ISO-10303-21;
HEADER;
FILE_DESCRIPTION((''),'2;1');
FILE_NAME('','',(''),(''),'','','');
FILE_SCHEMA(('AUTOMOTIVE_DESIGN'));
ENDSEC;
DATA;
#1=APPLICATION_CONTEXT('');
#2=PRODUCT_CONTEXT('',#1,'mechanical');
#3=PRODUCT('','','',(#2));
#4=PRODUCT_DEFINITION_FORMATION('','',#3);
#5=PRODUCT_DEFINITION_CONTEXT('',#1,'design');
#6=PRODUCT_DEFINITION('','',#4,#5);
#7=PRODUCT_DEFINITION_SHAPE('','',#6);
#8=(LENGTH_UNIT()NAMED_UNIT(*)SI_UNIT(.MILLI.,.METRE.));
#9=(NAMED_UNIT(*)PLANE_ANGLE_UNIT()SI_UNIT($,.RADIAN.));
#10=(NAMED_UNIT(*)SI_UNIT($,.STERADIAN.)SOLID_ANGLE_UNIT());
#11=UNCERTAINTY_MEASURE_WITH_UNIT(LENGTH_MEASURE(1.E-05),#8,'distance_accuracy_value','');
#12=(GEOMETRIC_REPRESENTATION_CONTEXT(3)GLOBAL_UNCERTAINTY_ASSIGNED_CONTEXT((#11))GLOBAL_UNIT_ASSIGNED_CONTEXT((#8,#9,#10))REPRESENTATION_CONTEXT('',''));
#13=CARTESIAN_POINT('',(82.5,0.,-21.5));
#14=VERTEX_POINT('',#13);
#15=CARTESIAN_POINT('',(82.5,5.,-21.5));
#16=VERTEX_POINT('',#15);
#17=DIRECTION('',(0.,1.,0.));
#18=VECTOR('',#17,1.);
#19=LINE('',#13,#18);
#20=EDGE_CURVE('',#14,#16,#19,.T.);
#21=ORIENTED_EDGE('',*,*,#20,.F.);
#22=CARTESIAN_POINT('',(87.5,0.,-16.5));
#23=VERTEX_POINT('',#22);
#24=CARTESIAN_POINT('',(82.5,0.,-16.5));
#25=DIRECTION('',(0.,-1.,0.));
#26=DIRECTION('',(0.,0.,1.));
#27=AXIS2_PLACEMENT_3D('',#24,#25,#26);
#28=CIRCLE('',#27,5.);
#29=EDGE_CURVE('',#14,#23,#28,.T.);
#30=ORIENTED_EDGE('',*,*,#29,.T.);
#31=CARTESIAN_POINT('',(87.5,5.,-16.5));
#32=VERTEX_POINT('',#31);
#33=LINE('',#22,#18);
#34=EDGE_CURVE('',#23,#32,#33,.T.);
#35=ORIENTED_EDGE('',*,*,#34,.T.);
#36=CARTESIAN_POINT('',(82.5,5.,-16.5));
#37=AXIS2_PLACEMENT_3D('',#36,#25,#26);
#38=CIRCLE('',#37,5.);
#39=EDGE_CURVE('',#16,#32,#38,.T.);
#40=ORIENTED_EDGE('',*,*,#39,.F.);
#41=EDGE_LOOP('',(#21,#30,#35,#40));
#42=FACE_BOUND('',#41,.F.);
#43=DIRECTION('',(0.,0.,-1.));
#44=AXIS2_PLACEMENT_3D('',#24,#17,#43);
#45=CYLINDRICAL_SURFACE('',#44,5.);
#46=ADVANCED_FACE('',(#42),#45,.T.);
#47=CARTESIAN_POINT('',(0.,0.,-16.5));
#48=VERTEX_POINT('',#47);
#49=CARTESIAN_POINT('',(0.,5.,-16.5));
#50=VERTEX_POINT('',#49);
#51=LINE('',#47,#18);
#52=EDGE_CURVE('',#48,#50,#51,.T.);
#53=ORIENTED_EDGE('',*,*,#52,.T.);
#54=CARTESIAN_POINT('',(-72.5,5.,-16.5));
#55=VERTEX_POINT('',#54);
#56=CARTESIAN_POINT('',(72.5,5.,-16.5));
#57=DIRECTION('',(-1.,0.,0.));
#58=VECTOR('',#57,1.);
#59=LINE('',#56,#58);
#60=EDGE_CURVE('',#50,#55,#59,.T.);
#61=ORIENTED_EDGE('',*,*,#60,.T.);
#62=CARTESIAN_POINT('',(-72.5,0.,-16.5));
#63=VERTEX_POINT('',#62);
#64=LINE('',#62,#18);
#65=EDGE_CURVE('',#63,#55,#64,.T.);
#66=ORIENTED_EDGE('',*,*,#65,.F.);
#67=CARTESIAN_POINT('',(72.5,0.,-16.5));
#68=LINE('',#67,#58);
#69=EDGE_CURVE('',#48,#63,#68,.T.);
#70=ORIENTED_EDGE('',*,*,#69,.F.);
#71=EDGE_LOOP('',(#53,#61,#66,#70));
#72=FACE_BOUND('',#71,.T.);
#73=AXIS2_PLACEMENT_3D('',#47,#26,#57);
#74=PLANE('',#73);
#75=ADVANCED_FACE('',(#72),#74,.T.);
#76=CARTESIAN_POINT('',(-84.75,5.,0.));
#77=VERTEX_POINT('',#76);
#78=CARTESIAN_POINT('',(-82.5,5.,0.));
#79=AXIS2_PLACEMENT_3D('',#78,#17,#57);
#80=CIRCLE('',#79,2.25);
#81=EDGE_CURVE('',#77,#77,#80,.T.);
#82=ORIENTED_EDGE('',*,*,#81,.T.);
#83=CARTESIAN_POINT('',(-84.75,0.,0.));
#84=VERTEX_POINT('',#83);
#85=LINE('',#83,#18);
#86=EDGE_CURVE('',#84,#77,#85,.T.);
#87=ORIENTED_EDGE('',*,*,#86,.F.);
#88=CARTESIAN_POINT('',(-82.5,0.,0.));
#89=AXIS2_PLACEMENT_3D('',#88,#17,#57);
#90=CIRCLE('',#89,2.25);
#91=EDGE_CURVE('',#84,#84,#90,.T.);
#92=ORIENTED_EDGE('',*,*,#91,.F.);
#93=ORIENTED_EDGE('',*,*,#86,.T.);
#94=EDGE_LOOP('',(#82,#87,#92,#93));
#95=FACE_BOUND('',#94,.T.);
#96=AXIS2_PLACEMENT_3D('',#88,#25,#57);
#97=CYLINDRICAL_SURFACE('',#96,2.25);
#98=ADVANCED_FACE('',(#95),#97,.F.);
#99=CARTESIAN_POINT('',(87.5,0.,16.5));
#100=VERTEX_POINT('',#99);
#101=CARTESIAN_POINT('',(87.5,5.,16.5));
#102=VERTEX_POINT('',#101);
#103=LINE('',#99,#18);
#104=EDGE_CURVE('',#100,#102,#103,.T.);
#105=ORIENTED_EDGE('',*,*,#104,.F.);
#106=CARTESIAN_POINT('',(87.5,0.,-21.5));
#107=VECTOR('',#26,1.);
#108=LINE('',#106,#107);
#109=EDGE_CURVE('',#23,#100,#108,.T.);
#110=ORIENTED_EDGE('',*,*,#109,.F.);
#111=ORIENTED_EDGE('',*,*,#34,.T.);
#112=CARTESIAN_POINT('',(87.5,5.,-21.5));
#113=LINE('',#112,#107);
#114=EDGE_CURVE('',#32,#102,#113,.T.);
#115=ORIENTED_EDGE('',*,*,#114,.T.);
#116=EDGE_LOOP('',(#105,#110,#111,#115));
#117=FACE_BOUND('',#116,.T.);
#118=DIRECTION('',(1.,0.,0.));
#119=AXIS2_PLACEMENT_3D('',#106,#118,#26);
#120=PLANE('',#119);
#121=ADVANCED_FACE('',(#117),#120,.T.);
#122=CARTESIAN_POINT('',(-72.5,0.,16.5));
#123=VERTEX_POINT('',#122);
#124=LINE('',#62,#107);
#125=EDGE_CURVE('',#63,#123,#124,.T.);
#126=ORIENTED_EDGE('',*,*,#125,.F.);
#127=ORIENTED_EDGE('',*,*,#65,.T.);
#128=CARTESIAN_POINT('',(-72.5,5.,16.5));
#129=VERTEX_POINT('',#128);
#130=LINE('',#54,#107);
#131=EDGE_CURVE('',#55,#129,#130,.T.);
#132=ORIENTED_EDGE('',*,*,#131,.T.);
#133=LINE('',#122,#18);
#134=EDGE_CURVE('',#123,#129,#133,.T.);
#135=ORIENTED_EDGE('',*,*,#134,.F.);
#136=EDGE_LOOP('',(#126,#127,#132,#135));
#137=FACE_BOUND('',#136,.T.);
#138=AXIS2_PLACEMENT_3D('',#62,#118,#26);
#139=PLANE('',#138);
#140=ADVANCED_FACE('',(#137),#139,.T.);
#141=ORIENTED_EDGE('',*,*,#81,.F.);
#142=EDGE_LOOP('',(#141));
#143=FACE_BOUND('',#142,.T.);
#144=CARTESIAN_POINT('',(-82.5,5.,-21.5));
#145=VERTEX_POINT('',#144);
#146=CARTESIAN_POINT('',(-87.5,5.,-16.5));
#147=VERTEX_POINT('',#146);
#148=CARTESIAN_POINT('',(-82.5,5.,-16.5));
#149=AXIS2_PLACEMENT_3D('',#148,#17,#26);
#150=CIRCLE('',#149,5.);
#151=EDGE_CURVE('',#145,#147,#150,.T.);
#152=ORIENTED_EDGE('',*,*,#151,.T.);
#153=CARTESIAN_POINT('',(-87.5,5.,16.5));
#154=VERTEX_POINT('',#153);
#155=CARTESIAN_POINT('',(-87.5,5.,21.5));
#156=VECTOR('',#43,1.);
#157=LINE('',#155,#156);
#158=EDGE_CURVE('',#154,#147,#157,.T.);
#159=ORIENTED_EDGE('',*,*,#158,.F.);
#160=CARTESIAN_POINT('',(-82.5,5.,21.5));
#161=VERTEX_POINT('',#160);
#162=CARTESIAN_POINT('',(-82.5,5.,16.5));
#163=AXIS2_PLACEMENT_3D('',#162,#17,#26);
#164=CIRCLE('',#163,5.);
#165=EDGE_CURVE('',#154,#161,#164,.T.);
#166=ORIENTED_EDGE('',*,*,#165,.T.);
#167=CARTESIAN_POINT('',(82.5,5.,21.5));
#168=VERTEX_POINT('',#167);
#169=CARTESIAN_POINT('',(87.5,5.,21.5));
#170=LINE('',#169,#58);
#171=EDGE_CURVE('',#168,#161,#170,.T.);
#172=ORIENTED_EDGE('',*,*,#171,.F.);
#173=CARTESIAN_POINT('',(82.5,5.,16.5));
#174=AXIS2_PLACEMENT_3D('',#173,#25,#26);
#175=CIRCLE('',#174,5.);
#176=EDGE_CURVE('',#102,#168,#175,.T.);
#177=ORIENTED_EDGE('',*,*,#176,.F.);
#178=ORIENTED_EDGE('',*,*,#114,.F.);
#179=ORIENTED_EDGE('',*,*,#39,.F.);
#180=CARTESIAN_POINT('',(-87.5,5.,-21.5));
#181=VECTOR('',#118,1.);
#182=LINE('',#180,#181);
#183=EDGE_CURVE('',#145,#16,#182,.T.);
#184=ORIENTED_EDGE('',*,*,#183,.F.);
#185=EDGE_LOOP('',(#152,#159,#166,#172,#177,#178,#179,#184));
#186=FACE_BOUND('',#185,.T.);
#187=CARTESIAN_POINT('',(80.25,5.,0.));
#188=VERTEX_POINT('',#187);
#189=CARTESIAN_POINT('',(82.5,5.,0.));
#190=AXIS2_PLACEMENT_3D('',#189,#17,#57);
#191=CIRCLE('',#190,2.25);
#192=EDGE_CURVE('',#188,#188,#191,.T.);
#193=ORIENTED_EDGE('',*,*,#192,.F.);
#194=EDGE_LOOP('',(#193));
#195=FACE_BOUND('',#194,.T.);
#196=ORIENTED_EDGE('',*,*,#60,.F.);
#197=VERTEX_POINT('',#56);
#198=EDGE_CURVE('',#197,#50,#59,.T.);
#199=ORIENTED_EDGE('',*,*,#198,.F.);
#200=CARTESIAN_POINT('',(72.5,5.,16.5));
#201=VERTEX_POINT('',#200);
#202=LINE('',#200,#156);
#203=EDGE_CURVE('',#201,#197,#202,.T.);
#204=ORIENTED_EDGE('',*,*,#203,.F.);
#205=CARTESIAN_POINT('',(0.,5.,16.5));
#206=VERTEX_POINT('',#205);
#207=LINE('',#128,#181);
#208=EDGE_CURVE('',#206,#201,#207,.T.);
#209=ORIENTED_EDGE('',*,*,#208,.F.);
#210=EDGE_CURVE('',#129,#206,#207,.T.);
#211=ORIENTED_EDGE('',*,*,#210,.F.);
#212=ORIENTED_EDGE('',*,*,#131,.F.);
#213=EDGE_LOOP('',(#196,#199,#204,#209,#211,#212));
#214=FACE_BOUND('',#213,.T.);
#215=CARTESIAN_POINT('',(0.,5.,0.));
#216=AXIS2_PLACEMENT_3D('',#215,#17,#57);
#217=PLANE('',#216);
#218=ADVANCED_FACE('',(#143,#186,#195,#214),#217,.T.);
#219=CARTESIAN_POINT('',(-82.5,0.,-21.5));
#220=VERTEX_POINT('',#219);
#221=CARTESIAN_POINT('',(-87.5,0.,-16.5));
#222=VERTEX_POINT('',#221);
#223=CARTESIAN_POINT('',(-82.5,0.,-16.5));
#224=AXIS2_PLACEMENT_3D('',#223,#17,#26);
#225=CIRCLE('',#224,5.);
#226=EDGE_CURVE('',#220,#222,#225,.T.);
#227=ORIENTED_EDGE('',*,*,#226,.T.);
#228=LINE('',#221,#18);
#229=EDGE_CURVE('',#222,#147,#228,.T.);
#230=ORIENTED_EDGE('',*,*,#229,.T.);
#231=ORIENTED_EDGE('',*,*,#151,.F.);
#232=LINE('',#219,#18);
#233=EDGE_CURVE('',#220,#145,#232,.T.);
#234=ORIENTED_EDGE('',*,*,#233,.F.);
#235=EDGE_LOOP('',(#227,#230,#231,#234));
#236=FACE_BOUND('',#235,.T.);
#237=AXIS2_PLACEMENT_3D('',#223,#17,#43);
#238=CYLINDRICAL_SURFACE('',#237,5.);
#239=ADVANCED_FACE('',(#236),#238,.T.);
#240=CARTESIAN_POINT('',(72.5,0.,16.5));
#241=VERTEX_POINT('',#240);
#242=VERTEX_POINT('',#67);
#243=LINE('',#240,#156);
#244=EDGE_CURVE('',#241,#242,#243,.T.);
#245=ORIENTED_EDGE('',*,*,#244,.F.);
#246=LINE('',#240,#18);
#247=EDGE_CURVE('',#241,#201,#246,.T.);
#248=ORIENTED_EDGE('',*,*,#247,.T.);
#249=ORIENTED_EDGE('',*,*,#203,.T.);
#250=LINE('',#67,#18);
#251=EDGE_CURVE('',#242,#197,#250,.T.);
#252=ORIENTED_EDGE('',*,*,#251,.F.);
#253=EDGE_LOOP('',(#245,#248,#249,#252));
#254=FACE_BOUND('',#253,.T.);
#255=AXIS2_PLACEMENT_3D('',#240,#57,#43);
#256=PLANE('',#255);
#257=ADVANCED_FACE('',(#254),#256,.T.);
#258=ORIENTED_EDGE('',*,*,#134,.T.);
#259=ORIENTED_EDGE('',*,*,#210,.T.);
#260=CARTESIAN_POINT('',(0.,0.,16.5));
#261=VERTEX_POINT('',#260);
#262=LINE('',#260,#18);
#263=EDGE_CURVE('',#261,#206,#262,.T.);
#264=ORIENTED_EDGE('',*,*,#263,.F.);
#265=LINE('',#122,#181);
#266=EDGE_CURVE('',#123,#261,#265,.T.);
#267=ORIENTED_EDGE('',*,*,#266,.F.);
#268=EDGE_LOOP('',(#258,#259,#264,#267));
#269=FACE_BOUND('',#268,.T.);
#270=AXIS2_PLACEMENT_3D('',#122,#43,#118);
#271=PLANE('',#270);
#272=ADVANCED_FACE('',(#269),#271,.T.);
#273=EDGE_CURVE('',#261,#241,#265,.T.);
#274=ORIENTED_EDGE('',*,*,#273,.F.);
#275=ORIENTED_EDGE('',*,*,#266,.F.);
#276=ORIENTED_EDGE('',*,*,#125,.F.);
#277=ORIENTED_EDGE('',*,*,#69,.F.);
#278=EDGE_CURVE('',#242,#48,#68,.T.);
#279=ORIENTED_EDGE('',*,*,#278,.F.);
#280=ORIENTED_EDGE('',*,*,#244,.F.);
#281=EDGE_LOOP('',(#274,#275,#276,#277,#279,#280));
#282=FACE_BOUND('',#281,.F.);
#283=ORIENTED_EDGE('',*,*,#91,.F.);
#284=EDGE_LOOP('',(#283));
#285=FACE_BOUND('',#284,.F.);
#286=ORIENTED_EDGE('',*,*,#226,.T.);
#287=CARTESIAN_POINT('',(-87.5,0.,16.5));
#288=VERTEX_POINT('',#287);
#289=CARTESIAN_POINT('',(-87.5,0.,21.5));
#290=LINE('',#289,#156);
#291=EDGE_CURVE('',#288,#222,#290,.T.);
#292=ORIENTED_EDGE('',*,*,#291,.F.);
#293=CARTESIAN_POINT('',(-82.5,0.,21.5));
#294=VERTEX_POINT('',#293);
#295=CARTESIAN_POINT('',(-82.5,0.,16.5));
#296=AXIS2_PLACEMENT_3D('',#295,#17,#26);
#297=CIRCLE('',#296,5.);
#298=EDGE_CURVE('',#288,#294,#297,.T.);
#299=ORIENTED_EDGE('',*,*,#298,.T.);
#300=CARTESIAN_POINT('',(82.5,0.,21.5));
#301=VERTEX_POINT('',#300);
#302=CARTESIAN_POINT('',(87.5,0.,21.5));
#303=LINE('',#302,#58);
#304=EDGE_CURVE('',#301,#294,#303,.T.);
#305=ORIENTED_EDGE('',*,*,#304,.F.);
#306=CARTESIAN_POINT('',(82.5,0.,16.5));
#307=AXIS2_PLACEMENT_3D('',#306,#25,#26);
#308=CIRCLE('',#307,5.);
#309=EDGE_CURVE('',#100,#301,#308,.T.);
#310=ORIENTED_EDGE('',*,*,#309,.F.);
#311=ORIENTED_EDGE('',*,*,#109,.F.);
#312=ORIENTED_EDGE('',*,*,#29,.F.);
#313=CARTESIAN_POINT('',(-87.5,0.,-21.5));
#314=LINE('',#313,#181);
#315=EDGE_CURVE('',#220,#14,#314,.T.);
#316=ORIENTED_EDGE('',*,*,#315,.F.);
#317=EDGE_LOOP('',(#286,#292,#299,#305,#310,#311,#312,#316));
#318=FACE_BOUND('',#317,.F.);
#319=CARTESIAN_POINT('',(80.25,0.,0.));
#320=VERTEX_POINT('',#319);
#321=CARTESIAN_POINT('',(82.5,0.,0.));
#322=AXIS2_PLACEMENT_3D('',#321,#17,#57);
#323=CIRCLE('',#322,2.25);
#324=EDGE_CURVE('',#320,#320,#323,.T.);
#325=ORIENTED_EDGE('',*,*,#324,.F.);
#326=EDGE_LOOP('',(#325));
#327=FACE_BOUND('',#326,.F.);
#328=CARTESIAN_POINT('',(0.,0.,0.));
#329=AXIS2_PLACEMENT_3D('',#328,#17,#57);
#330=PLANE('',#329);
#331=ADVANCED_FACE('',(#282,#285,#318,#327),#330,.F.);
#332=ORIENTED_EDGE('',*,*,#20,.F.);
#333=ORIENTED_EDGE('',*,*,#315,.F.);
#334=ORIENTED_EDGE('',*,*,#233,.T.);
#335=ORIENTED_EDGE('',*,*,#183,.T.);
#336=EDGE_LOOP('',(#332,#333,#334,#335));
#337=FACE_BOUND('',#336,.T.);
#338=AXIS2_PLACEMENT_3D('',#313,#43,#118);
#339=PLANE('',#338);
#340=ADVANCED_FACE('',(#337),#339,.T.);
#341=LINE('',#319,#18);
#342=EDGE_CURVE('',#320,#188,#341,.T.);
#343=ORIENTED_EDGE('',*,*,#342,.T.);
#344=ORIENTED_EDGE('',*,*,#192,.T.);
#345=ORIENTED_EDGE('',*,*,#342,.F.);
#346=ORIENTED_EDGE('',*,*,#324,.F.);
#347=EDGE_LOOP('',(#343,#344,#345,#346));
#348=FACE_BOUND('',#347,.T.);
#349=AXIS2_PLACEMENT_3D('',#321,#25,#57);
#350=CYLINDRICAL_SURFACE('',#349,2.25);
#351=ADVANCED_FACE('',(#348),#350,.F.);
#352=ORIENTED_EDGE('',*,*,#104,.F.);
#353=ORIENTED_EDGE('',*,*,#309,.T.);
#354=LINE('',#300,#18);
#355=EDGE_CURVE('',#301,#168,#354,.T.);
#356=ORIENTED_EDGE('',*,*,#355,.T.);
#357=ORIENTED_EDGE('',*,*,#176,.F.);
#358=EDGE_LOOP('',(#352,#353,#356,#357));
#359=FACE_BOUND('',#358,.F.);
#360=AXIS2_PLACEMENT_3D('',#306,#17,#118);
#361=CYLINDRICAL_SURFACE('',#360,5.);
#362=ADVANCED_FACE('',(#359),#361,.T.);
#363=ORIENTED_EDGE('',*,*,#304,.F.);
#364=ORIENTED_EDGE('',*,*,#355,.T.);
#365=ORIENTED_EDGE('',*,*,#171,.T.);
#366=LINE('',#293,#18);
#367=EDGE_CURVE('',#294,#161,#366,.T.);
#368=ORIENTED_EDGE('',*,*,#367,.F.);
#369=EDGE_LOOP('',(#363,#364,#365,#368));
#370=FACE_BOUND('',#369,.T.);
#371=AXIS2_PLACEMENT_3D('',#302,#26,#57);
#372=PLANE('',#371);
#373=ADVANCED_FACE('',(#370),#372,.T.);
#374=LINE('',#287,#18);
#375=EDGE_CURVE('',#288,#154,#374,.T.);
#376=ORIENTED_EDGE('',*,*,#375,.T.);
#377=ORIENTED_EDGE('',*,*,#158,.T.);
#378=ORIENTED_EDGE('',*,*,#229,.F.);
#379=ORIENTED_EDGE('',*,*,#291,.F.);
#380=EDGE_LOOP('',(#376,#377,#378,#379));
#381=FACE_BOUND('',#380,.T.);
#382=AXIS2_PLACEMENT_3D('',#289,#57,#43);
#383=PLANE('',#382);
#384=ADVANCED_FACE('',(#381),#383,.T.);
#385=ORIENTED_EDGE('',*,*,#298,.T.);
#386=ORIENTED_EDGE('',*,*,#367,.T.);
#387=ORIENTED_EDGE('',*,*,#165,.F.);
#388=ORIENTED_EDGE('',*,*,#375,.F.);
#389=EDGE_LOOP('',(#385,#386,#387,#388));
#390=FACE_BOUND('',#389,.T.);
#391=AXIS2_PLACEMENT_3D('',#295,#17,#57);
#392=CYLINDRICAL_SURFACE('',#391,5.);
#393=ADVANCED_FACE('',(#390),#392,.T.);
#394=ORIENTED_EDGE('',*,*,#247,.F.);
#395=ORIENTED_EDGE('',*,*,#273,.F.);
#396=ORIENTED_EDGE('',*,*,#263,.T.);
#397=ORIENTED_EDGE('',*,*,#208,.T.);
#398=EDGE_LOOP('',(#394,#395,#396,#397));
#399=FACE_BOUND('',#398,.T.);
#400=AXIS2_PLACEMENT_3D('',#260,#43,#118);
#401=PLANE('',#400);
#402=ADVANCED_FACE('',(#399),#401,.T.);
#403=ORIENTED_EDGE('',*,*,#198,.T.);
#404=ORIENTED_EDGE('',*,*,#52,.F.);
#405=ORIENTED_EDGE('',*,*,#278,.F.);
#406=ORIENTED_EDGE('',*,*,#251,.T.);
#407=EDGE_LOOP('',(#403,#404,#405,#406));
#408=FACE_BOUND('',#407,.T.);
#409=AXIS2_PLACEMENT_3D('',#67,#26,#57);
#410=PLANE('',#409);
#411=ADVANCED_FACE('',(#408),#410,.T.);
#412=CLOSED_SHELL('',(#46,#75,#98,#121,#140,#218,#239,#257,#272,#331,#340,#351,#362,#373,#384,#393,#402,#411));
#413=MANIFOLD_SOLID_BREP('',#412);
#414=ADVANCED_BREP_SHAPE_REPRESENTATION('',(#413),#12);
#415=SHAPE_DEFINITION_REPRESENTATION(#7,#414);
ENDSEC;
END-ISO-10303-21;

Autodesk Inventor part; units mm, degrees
ref_plane "YZ Plane" through (0, 0, 0) normal (1, 0, 0) x (0, 1, 0)
ref_plane "XZ Plane" through (0, 0, 0) normal (0, 1, 0) x (-1, 0, 0)
ref_plane "XY Plane" through (0, 0, 0) normal (0, 0, 1) x (1, 0, 0)
sketch "Sketch2" plane through (0, 0, 0) normal (0, 1, 0) x (-1, 0, 0)
  line L0 (72.5, 16.5) -> (-72.5, 16.5)
  line L1 (-72.5, 16.5) -> (-72.5, -16.5)
  line L2 (-72.5, -16.5) -> (72.5, -16.5)
  line L3 (72.5, -16.5) -> (72.5, 16.5)
  line L4 (72.5, 16.5) -> (-72.5, -16.5) construction
  line L5 (-72.5, 16.5) -> (72.5, -16.5) construction
  line L6 (87.5, -21.5) -> (-87.5, -21.5)
  line L7 (-87.5, -21.5) -> (-87.5, 21.5)
  line L8 (-87.5, 21.5) -> (87.5, 21.5)
  line L9 (87.5, 21.5) -> (87.5, -21.5)
  line L10 (87.5, -21.5) -> (-87.5, 21.5) construction
  line L11 (-87.5, -21.5) -> (87.5, 21.5) construction
  line L12 (72.5, 0) -> (82.5, 0) construction
  circle A0 centre (82.5, 0) radius 2.25
  line L13 (0, -16.5) -> (0, 16.5)
  circle A1 centre (-82.5, 0) radius 2.25
  point P0 (0, 0)
  dimension "d12" = 145
  dimension "d13" = 33
  dimension "d14" = 175
  dimension "d15" = 43
  dimension "d16" = 10
  dimension "d17" = 4.5
extrude "Extrusion2" add sketch "Sketch2" along normal blind 5
fillet "Fillet1" radius 5 1 edges at (87.5, 2.5, -21.5)
fillet "Fillet2" radius 5 3 edges at (87.5, 2.5, 21.5) (-87.5, 2.5, -21.5) (-87.5, 2.5, 21.5)
properties part number "Frame"
